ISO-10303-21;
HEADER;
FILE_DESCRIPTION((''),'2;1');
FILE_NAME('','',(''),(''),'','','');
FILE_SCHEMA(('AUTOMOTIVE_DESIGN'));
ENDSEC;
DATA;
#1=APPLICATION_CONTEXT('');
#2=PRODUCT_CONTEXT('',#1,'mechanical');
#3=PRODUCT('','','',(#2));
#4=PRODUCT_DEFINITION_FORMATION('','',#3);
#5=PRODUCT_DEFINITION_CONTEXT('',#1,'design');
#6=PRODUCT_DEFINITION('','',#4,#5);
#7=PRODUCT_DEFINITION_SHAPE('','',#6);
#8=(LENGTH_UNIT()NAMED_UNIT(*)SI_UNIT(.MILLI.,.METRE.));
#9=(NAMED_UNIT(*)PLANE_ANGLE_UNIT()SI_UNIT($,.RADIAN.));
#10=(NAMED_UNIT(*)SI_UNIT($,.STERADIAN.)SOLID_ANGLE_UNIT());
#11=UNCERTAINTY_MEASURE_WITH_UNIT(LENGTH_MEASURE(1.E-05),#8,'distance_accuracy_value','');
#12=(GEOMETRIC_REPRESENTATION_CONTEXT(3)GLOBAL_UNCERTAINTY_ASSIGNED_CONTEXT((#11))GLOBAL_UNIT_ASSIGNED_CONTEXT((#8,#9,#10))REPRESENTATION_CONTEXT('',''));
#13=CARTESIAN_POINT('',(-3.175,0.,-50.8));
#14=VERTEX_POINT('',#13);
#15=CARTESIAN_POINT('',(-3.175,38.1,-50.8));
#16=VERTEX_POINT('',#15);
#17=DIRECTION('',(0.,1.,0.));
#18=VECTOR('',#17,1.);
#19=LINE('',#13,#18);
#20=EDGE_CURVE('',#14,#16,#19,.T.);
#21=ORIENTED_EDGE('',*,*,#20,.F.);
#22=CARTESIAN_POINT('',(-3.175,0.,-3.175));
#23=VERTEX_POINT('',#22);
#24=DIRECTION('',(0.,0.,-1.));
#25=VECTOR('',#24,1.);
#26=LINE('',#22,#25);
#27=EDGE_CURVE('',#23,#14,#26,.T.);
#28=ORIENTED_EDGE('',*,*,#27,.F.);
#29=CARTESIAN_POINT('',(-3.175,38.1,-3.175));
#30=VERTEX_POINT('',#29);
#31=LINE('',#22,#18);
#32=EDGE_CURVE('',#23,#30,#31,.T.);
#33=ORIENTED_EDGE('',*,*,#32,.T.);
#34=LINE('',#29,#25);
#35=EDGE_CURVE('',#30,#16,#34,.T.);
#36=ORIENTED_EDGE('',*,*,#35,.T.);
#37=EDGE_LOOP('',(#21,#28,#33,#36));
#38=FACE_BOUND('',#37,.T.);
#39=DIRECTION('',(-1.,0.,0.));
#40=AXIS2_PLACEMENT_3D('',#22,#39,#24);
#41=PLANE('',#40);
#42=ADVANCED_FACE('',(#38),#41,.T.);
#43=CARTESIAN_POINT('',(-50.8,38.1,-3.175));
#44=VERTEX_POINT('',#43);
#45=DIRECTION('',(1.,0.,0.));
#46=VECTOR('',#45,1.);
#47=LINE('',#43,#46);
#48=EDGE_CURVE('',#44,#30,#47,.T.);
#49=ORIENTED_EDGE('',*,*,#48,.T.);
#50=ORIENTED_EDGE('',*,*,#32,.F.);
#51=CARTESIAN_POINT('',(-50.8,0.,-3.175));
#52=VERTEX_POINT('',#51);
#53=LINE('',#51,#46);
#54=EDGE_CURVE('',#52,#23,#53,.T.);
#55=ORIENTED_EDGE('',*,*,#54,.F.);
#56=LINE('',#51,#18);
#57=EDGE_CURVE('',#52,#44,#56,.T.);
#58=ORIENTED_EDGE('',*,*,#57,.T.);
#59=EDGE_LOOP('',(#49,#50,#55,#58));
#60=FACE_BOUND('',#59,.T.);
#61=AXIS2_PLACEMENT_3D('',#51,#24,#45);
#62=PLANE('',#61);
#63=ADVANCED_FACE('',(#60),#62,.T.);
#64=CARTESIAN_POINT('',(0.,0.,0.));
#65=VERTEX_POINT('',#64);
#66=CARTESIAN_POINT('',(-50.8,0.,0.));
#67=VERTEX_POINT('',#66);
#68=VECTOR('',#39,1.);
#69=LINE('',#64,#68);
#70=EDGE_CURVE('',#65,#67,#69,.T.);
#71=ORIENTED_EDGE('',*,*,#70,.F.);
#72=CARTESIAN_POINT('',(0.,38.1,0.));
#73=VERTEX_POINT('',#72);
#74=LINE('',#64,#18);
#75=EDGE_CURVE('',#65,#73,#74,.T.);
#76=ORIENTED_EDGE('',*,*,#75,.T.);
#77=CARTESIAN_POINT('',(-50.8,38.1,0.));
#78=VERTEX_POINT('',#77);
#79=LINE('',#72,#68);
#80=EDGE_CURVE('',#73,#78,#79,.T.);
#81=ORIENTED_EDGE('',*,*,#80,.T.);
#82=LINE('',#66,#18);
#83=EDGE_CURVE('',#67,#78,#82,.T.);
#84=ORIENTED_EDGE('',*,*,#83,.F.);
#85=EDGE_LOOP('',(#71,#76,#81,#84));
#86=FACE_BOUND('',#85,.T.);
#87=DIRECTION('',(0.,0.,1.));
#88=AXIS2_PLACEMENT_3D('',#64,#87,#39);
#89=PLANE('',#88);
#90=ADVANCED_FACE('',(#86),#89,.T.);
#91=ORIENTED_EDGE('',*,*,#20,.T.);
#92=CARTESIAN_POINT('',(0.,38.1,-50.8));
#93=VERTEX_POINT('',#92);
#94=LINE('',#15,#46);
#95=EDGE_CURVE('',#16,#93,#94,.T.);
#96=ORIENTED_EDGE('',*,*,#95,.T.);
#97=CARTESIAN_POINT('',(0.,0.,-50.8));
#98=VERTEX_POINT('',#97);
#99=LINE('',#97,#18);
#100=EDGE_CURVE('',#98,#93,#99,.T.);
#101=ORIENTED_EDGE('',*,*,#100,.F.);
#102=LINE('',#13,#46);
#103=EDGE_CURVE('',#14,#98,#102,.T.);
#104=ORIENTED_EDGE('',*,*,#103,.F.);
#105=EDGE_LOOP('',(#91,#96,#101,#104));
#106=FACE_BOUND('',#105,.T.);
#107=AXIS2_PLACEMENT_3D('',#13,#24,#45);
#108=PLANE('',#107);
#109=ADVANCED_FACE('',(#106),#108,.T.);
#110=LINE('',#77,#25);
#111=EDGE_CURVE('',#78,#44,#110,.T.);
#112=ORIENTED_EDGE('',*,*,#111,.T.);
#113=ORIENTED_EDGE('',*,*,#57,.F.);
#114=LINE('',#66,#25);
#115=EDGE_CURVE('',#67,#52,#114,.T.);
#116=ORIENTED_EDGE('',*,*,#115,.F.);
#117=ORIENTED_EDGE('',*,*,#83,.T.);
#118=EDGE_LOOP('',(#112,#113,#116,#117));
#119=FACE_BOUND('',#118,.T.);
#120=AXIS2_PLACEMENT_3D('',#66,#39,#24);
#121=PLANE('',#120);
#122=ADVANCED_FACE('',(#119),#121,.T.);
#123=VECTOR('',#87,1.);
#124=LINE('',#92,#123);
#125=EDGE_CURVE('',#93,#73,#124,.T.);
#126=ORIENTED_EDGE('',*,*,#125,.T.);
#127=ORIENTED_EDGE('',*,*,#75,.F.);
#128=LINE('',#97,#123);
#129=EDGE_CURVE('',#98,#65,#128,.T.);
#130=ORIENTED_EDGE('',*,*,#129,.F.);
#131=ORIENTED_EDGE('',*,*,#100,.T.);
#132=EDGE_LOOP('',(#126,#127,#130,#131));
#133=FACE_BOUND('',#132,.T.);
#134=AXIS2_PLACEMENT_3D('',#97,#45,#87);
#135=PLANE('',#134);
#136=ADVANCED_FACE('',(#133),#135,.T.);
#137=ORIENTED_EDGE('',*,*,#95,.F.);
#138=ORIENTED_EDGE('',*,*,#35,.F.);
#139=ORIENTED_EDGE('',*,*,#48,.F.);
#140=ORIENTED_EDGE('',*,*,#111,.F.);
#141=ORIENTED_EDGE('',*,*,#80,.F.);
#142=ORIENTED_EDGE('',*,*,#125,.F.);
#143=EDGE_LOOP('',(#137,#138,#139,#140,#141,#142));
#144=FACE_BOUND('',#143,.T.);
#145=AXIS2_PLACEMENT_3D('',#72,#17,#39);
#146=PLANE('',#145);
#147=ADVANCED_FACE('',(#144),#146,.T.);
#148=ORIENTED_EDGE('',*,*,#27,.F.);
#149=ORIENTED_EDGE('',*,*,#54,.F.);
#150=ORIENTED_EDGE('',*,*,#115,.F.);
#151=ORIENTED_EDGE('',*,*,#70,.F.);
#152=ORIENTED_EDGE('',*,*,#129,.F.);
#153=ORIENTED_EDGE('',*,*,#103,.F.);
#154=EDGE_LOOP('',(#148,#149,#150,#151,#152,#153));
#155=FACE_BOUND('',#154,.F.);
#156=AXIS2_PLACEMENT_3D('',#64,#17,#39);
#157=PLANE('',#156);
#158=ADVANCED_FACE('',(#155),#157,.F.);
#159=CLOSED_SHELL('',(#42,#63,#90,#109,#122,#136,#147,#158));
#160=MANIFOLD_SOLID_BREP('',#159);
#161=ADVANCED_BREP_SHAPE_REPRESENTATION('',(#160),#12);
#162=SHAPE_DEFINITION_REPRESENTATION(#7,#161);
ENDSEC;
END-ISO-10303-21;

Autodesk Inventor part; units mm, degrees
ref_plane "YZ Plane" through (0, 0, 0) normal (1, 0, 0) x (0, 1, 0)
ref_plane "XZ Plane" through (0, 0, 0) normal (0, 1, 0) x (-1, 0, 0)
ref_plane "XY Plane" through (0, 0, 0) normal (0, 0, 1) x (1, 0, 0)
sketch "Sketch1" plane through (0, 0, 0) normal (0, 1, 0) x (-1, 0, 0)
  line L0 (0, 0) -> (50.8, 0)
  line L1 (50.8, 0) -> (50.8, -3.175)
  line L2 (50.8, -3.175) -> (3.175, -3.175)
  line L3 (3.175, -3.175) -> (3.175, -50.8)
  line L4 (3.175, -50.8) -> (0, -50.8)
  line L5 (0, -50.8) -> (0, 0)
  dimension "d0" = 50.8
  dimension "d1" = 3.175
  dimension "d2" = 47.625
  dimension "d3" = 47.625
extrude "Extrusion1" add sketch "Sketch1" along normal blind 38.1
properties part number "L-Frame Small"
